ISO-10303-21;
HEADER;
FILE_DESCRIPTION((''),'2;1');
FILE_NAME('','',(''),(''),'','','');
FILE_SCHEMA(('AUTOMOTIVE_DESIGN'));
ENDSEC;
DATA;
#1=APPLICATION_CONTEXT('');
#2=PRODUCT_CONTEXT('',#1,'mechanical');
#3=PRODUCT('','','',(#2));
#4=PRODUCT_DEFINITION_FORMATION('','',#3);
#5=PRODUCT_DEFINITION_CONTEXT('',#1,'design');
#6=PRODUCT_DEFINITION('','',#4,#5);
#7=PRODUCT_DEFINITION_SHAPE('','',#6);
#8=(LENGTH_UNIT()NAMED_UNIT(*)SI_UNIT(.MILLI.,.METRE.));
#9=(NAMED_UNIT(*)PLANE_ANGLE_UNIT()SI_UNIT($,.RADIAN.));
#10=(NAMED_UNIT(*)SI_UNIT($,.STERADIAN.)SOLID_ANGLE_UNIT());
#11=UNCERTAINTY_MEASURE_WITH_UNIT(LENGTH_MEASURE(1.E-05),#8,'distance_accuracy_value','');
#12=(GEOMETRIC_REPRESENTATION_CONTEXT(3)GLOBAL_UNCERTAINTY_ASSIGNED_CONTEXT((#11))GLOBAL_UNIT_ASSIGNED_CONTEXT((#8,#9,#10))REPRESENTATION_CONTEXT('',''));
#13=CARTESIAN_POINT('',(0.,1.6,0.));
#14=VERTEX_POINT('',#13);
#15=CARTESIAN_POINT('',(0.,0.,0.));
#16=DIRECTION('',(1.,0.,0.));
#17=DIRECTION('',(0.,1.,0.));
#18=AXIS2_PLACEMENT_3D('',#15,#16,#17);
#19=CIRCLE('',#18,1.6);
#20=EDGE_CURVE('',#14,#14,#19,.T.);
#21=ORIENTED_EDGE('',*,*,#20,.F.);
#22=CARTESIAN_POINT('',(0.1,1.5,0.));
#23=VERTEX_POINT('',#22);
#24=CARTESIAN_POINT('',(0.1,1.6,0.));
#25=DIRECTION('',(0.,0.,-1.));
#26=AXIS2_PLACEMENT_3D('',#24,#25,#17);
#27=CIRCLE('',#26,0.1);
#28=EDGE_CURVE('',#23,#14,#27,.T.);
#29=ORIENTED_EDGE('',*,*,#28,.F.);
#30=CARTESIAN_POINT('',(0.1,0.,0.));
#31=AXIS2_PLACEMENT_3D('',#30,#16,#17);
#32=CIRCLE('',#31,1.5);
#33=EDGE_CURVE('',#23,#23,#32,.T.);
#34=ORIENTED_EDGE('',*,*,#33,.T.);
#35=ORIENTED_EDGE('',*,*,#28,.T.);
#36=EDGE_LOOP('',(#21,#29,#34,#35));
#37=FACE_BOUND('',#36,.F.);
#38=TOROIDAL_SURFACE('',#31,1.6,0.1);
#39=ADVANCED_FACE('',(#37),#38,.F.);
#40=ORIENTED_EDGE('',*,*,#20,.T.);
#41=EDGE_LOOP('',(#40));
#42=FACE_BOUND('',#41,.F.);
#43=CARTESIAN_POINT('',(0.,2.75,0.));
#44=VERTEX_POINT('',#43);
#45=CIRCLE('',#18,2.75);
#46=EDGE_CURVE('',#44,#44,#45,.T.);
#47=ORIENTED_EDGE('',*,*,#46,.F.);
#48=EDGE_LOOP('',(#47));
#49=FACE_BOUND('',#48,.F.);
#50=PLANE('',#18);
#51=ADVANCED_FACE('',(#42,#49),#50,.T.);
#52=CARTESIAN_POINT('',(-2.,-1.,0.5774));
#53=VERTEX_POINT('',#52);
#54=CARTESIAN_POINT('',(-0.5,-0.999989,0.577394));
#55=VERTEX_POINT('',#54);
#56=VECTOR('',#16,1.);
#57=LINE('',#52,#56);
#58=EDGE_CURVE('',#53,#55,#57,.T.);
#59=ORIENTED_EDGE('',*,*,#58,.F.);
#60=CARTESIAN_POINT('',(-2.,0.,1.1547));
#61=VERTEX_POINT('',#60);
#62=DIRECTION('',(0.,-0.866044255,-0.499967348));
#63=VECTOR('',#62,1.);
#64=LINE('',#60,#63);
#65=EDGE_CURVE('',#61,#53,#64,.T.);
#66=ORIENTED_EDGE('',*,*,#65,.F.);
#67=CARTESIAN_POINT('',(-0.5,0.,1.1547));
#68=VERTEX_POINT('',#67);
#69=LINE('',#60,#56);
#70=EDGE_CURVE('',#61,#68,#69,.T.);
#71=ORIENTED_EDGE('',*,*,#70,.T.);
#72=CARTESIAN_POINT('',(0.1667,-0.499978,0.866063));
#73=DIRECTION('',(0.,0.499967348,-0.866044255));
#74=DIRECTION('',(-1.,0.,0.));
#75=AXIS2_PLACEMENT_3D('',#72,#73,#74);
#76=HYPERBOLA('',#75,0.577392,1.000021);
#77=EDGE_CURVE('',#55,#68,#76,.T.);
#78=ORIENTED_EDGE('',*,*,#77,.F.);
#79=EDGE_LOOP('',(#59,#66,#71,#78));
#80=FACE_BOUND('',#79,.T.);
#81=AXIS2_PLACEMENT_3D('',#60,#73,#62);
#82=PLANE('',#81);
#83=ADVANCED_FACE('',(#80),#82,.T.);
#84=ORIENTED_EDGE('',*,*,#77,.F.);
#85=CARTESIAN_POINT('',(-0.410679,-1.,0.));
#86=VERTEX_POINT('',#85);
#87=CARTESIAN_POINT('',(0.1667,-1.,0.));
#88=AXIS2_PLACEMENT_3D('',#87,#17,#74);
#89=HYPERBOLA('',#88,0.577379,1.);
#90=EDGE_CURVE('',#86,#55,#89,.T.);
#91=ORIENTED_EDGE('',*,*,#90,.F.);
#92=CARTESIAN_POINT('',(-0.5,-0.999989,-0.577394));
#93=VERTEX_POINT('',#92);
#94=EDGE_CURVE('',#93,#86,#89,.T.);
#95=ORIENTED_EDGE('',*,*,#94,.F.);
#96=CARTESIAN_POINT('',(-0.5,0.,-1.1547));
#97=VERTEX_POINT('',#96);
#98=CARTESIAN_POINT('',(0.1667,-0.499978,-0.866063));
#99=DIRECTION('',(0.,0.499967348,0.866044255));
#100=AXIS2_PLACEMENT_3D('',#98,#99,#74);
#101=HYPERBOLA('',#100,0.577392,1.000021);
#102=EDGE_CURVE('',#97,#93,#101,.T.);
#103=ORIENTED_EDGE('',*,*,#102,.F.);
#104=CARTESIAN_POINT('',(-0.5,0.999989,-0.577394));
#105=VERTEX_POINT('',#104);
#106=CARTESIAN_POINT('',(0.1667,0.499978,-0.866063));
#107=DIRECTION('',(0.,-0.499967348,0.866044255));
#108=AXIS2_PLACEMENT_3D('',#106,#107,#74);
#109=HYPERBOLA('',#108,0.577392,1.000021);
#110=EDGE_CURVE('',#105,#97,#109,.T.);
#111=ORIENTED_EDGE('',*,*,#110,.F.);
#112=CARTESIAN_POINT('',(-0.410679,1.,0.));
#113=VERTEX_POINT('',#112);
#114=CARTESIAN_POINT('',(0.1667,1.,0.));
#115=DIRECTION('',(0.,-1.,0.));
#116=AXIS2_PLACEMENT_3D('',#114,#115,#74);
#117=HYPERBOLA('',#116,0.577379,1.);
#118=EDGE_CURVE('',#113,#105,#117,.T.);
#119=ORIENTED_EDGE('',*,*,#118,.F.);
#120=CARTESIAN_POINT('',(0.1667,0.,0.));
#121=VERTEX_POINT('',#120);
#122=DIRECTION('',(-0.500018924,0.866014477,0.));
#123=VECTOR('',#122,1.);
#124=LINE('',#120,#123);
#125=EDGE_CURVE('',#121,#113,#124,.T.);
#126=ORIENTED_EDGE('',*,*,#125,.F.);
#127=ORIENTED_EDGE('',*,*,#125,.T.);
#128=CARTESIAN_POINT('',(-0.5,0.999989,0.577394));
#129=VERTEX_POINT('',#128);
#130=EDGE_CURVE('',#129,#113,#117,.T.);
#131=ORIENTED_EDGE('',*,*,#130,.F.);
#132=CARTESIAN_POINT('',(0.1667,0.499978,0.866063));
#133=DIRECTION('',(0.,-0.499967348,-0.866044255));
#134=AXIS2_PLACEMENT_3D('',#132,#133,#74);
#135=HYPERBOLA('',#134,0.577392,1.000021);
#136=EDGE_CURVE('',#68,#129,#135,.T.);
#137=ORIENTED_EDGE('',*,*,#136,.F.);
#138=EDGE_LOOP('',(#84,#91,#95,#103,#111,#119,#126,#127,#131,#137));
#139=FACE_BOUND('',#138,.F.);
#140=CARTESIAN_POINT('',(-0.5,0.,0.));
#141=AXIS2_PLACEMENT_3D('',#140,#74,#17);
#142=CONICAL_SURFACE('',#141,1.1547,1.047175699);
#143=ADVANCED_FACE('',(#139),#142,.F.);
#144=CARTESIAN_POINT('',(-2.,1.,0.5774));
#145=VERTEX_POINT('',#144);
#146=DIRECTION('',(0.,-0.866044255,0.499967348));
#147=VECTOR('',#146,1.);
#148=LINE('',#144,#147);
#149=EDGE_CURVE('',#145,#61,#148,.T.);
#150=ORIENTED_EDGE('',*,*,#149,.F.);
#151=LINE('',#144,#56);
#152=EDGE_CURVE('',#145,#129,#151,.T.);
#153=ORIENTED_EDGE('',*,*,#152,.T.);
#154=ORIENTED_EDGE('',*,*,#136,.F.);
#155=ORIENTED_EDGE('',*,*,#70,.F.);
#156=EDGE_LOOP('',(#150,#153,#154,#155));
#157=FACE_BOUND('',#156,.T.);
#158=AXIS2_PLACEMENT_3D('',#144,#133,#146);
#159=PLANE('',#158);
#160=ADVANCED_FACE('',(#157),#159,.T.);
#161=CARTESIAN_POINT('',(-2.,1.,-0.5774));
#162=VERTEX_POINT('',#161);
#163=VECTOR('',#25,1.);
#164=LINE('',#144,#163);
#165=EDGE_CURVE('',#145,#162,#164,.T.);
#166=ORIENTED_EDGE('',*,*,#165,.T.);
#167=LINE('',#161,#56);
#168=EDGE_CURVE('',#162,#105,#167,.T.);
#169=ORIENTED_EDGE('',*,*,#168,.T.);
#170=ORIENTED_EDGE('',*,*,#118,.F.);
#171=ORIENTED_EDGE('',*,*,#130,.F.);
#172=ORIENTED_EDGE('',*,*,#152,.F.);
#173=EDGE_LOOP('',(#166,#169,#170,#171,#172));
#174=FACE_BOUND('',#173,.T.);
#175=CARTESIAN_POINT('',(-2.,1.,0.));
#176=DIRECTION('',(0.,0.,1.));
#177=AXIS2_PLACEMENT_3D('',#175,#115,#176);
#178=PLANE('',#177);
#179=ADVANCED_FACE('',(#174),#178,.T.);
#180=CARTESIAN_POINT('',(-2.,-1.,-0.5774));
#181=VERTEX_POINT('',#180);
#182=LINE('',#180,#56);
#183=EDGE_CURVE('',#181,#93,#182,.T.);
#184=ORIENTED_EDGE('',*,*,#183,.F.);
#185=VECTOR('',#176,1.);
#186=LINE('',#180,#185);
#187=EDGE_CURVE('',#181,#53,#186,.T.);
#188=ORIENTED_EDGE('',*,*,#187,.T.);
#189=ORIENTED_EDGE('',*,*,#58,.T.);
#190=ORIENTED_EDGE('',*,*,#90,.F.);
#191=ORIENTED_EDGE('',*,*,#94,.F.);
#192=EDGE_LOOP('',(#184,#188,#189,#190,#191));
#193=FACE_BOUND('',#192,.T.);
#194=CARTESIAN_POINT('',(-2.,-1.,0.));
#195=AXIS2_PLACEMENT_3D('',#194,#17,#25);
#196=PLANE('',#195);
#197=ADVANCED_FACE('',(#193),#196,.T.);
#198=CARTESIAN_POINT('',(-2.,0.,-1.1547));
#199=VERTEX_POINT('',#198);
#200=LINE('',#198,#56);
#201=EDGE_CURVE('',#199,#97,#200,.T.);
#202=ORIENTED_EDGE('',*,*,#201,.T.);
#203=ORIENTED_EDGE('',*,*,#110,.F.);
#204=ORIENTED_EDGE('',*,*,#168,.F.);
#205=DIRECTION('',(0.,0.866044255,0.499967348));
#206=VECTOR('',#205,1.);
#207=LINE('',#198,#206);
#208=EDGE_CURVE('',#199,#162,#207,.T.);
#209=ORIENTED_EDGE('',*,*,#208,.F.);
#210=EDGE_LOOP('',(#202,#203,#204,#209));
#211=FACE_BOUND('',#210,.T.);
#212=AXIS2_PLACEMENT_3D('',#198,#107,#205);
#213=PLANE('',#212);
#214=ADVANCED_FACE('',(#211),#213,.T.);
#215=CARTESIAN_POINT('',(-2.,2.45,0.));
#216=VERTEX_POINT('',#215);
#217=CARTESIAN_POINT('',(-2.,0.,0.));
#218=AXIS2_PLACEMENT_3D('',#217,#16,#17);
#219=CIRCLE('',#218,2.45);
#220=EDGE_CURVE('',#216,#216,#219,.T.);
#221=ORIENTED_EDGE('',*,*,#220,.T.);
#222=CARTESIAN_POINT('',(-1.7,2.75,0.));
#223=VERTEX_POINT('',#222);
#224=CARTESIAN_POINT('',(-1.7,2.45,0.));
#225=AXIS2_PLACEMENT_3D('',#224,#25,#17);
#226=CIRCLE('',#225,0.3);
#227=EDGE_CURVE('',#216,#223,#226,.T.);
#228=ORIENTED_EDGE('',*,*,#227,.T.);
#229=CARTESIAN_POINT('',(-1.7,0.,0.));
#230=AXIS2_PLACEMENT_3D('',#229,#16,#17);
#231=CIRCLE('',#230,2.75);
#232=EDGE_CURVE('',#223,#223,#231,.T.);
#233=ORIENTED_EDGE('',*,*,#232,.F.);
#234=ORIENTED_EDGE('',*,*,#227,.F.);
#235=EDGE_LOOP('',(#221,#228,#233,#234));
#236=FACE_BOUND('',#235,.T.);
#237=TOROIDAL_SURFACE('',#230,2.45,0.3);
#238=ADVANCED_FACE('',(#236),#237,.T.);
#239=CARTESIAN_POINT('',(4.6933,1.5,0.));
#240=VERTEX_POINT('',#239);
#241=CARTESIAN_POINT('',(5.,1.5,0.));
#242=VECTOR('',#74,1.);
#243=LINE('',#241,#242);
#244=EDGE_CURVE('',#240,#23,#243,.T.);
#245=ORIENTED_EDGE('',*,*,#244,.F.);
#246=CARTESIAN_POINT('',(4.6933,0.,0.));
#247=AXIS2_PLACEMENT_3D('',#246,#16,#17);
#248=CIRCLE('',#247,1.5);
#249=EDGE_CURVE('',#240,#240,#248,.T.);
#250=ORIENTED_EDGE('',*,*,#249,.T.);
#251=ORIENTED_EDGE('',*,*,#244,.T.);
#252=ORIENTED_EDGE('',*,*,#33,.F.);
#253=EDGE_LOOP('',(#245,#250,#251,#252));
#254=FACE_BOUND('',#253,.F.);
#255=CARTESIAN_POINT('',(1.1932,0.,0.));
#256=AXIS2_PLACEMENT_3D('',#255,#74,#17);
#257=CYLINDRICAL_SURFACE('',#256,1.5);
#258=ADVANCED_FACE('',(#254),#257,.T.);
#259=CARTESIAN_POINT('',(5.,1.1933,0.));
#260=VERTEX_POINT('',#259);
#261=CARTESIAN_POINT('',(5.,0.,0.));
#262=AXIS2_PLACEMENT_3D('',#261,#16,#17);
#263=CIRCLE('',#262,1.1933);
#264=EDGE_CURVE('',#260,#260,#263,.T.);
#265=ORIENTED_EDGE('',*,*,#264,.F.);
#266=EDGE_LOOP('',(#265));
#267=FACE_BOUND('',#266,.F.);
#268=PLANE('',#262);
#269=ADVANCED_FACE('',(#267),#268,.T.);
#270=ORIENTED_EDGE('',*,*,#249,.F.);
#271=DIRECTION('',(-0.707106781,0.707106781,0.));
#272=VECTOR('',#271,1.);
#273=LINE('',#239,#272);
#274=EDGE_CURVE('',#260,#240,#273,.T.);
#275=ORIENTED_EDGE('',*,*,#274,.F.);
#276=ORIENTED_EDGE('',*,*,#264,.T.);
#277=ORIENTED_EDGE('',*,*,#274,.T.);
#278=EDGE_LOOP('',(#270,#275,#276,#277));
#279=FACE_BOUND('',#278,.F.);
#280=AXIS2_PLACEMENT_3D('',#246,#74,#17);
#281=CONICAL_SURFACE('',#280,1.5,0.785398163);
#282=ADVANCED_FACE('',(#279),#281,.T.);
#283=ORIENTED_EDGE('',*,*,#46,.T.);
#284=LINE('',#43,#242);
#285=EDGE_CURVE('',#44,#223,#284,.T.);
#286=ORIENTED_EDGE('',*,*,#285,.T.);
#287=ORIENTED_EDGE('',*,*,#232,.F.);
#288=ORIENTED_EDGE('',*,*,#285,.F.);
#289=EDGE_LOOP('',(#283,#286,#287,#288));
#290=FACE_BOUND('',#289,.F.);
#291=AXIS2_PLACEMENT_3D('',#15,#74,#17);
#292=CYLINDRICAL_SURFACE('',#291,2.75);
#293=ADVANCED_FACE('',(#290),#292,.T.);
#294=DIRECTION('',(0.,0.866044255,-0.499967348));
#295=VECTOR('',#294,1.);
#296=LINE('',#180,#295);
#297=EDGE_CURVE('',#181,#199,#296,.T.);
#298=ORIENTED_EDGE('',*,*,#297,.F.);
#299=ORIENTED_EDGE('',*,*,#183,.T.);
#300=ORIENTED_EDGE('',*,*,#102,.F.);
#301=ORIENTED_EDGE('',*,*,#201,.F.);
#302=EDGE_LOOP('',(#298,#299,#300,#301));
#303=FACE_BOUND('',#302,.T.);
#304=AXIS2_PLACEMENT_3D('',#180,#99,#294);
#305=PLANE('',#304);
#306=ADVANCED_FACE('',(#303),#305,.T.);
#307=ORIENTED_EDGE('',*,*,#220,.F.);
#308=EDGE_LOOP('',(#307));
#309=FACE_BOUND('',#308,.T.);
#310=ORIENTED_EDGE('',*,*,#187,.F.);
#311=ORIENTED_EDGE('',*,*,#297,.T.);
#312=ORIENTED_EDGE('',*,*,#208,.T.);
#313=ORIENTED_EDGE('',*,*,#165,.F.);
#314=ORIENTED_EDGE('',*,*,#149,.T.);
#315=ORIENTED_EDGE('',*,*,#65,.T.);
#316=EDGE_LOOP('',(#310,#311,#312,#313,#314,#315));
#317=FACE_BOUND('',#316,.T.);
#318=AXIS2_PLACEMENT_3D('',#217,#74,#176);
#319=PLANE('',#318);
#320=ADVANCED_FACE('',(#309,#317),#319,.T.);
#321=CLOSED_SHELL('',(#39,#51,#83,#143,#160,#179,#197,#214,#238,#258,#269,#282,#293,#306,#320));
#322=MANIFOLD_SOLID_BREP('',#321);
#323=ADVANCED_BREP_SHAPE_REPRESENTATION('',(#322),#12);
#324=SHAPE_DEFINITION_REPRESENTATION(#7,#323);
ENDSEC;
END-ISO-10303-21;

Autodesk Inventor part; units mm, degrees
ref_plane "YZ Plane" through (0, 0, 0) normal (1, 0, 0) x (0, 1, 0)
ref_plane "XZ Plane" through (0, 0, 0) normal (0, 1, 0) x (-1, 0, 0)
sketch "Sketch1" plane through (0, 0, 0) normal (0, 0, 1) x (1, 0, 0)
  line L0 (0.1667, 0) -> (5, 0)
  line L1 (5, 0) -> (5, 1.5)
  line L2 (5, 1.5) -> (1.5, 1.5)
  line L3 (1.5, 1.5) -> (1.1932, 1.5)
  line L4 (1.1932, 1.5) -> (0, 1.5)
  line L5 (0, 1.5) -> (0, 2.75)
  line L6 (0, 2.75) -> (-2, 2.75)
  line L7 (-2, 2.75) -> (-2, 1.1547)
  line L8 (-2, 1.1547) -> (-0.5, 1.1547)
  line L9 (-0.5, 1.1547) -> (0.1667, 0)
  line L10 (-3.4, 0) -> (6.4, 0) projected
  line L11 (0, -0.55) -> (0, 3.3) projected
  line L12 (1.5, 1.5) -> (0, 1.5) construction
  dimension "d1" = 3.5
  dimension "d2" = 0.3068
  dimension "d3" = 2
  dimension "d4" = 1.5
  dimension "d5" = 60
  dimension "d6" = 3
  dimension "d7" = 3
  dimension "d8" = 2.3094
  dimension "d9" = 5.5
  dimension "d26" = 5
revolve "Body" add sketch "Sketch1" angle 360 about axis through (0.1667, 0, 0) along (1, 0, 0) contours L9 L11 L4 L3 L2 L1 L0 | L9 L8 L7 L6 L5 L11
sketch "Sketch2" plane through (-2, 0, 0) normal (-1, 0, 0) x (0, 0, 1)
  circle A0 centre (0, 0) radius 1.1547 projected
  line L0 (0, -3.85) -> (0, 3.85) projected
  line L1 (-3.85, 0) -> (3.85, 0) projected
  line L2 (1.1547, 0) -> (0.5774, -1)
  line L3 (0.5774, -1) -> (-0.5774, -1)
  line L4 (-0.5774, -1) -> (-1.1547, 0)
  line L5 (-1.1547, 0) -> (-0.5774, 1)
  line L6 (-0.5774, 1) -> (0.5774, 1)
  line L7 (0.5774, 1) -> (1.1547, 0)
extrude "Slot" add sketch "Sketch2" against normal up to next contours L7 A0 | A0 L2 | L6 L0 A0 | A0 L0 L3 | L0 L6 A0 | A0 L3 L0 | L4 A0 | A0 L5
fillet "Fillet1" radius 0.3 1 edges at (-2, -2.75, 0)
thread "Thread" size "M3x0.5" class "6g" standard "ISO Metric profile" length 3.5
chamfer "Chamfer1" distance 0.3067 distance2 0.3067 1 edges at (5, -1.5, 0) measured on face at (5, -0.2617, -0.7882)
ref_plane "Work Plane1" through (29, 0, 0) normal (0, -1, 0) x (1, 0, 0)
fillet "Fillet2" radius 0.1 1 edges at (0, -1.5, 0)
equation "\"d1\" = GEL"
equation "\"d3\" = KOH"
equation "\"d4\" = INTI"
equation "\"d6\" = GD"
equation "\"d7\" = BDM"
equation "\"d8\" = 1.1547 * SW"
equation "\"d9\" = KOD"
equation "\"d26\" = NLG"
equation "\"d30\" = R"
equation "\"d17\" = RR"
equation "\"d13\" = GEL"
equation "\"d15\" = -0.5 * SPD + 0.5 * GD"
equation "\"d16\" = GUL"
equation "\"GD\" = NND"
equation "\"NLG\" = 5"
equation "\"GEL\" = 3.5"
equation "\"KOD\" = 5.5"
equation "\"KOH\" = 2"
equation "\"INTI\" = 1.5"
equation "\"GAL\" = 0.61345 * PTC"
equation "\"GUL\" = 0.61345 * PTC"
equation "\"BDM\" = NND"
equation "\"SW\" = 2"
equation "\"RR\" = 0.3"
equation "\"SPD\" = NND - 1.2269 * PTC"
equation "\"R\" = 0.1"
equation "\"TOA\" = 30deg"
equation "\"GD1\" = THREADDIA - 1.2269 * PTC"
equation "\"THREADDIA\" = 3"
equation "\"FAWI\" = 45deg"
equation "\"ANG\" = 120deg"
equation "\"PTC\" = 0.5"
equation "\"NND\" = 3"
equation "\"E0\" = 1.155 * SW"
properties part number "DIN 7984 - M3 x 5" material "Steel, Mild"
